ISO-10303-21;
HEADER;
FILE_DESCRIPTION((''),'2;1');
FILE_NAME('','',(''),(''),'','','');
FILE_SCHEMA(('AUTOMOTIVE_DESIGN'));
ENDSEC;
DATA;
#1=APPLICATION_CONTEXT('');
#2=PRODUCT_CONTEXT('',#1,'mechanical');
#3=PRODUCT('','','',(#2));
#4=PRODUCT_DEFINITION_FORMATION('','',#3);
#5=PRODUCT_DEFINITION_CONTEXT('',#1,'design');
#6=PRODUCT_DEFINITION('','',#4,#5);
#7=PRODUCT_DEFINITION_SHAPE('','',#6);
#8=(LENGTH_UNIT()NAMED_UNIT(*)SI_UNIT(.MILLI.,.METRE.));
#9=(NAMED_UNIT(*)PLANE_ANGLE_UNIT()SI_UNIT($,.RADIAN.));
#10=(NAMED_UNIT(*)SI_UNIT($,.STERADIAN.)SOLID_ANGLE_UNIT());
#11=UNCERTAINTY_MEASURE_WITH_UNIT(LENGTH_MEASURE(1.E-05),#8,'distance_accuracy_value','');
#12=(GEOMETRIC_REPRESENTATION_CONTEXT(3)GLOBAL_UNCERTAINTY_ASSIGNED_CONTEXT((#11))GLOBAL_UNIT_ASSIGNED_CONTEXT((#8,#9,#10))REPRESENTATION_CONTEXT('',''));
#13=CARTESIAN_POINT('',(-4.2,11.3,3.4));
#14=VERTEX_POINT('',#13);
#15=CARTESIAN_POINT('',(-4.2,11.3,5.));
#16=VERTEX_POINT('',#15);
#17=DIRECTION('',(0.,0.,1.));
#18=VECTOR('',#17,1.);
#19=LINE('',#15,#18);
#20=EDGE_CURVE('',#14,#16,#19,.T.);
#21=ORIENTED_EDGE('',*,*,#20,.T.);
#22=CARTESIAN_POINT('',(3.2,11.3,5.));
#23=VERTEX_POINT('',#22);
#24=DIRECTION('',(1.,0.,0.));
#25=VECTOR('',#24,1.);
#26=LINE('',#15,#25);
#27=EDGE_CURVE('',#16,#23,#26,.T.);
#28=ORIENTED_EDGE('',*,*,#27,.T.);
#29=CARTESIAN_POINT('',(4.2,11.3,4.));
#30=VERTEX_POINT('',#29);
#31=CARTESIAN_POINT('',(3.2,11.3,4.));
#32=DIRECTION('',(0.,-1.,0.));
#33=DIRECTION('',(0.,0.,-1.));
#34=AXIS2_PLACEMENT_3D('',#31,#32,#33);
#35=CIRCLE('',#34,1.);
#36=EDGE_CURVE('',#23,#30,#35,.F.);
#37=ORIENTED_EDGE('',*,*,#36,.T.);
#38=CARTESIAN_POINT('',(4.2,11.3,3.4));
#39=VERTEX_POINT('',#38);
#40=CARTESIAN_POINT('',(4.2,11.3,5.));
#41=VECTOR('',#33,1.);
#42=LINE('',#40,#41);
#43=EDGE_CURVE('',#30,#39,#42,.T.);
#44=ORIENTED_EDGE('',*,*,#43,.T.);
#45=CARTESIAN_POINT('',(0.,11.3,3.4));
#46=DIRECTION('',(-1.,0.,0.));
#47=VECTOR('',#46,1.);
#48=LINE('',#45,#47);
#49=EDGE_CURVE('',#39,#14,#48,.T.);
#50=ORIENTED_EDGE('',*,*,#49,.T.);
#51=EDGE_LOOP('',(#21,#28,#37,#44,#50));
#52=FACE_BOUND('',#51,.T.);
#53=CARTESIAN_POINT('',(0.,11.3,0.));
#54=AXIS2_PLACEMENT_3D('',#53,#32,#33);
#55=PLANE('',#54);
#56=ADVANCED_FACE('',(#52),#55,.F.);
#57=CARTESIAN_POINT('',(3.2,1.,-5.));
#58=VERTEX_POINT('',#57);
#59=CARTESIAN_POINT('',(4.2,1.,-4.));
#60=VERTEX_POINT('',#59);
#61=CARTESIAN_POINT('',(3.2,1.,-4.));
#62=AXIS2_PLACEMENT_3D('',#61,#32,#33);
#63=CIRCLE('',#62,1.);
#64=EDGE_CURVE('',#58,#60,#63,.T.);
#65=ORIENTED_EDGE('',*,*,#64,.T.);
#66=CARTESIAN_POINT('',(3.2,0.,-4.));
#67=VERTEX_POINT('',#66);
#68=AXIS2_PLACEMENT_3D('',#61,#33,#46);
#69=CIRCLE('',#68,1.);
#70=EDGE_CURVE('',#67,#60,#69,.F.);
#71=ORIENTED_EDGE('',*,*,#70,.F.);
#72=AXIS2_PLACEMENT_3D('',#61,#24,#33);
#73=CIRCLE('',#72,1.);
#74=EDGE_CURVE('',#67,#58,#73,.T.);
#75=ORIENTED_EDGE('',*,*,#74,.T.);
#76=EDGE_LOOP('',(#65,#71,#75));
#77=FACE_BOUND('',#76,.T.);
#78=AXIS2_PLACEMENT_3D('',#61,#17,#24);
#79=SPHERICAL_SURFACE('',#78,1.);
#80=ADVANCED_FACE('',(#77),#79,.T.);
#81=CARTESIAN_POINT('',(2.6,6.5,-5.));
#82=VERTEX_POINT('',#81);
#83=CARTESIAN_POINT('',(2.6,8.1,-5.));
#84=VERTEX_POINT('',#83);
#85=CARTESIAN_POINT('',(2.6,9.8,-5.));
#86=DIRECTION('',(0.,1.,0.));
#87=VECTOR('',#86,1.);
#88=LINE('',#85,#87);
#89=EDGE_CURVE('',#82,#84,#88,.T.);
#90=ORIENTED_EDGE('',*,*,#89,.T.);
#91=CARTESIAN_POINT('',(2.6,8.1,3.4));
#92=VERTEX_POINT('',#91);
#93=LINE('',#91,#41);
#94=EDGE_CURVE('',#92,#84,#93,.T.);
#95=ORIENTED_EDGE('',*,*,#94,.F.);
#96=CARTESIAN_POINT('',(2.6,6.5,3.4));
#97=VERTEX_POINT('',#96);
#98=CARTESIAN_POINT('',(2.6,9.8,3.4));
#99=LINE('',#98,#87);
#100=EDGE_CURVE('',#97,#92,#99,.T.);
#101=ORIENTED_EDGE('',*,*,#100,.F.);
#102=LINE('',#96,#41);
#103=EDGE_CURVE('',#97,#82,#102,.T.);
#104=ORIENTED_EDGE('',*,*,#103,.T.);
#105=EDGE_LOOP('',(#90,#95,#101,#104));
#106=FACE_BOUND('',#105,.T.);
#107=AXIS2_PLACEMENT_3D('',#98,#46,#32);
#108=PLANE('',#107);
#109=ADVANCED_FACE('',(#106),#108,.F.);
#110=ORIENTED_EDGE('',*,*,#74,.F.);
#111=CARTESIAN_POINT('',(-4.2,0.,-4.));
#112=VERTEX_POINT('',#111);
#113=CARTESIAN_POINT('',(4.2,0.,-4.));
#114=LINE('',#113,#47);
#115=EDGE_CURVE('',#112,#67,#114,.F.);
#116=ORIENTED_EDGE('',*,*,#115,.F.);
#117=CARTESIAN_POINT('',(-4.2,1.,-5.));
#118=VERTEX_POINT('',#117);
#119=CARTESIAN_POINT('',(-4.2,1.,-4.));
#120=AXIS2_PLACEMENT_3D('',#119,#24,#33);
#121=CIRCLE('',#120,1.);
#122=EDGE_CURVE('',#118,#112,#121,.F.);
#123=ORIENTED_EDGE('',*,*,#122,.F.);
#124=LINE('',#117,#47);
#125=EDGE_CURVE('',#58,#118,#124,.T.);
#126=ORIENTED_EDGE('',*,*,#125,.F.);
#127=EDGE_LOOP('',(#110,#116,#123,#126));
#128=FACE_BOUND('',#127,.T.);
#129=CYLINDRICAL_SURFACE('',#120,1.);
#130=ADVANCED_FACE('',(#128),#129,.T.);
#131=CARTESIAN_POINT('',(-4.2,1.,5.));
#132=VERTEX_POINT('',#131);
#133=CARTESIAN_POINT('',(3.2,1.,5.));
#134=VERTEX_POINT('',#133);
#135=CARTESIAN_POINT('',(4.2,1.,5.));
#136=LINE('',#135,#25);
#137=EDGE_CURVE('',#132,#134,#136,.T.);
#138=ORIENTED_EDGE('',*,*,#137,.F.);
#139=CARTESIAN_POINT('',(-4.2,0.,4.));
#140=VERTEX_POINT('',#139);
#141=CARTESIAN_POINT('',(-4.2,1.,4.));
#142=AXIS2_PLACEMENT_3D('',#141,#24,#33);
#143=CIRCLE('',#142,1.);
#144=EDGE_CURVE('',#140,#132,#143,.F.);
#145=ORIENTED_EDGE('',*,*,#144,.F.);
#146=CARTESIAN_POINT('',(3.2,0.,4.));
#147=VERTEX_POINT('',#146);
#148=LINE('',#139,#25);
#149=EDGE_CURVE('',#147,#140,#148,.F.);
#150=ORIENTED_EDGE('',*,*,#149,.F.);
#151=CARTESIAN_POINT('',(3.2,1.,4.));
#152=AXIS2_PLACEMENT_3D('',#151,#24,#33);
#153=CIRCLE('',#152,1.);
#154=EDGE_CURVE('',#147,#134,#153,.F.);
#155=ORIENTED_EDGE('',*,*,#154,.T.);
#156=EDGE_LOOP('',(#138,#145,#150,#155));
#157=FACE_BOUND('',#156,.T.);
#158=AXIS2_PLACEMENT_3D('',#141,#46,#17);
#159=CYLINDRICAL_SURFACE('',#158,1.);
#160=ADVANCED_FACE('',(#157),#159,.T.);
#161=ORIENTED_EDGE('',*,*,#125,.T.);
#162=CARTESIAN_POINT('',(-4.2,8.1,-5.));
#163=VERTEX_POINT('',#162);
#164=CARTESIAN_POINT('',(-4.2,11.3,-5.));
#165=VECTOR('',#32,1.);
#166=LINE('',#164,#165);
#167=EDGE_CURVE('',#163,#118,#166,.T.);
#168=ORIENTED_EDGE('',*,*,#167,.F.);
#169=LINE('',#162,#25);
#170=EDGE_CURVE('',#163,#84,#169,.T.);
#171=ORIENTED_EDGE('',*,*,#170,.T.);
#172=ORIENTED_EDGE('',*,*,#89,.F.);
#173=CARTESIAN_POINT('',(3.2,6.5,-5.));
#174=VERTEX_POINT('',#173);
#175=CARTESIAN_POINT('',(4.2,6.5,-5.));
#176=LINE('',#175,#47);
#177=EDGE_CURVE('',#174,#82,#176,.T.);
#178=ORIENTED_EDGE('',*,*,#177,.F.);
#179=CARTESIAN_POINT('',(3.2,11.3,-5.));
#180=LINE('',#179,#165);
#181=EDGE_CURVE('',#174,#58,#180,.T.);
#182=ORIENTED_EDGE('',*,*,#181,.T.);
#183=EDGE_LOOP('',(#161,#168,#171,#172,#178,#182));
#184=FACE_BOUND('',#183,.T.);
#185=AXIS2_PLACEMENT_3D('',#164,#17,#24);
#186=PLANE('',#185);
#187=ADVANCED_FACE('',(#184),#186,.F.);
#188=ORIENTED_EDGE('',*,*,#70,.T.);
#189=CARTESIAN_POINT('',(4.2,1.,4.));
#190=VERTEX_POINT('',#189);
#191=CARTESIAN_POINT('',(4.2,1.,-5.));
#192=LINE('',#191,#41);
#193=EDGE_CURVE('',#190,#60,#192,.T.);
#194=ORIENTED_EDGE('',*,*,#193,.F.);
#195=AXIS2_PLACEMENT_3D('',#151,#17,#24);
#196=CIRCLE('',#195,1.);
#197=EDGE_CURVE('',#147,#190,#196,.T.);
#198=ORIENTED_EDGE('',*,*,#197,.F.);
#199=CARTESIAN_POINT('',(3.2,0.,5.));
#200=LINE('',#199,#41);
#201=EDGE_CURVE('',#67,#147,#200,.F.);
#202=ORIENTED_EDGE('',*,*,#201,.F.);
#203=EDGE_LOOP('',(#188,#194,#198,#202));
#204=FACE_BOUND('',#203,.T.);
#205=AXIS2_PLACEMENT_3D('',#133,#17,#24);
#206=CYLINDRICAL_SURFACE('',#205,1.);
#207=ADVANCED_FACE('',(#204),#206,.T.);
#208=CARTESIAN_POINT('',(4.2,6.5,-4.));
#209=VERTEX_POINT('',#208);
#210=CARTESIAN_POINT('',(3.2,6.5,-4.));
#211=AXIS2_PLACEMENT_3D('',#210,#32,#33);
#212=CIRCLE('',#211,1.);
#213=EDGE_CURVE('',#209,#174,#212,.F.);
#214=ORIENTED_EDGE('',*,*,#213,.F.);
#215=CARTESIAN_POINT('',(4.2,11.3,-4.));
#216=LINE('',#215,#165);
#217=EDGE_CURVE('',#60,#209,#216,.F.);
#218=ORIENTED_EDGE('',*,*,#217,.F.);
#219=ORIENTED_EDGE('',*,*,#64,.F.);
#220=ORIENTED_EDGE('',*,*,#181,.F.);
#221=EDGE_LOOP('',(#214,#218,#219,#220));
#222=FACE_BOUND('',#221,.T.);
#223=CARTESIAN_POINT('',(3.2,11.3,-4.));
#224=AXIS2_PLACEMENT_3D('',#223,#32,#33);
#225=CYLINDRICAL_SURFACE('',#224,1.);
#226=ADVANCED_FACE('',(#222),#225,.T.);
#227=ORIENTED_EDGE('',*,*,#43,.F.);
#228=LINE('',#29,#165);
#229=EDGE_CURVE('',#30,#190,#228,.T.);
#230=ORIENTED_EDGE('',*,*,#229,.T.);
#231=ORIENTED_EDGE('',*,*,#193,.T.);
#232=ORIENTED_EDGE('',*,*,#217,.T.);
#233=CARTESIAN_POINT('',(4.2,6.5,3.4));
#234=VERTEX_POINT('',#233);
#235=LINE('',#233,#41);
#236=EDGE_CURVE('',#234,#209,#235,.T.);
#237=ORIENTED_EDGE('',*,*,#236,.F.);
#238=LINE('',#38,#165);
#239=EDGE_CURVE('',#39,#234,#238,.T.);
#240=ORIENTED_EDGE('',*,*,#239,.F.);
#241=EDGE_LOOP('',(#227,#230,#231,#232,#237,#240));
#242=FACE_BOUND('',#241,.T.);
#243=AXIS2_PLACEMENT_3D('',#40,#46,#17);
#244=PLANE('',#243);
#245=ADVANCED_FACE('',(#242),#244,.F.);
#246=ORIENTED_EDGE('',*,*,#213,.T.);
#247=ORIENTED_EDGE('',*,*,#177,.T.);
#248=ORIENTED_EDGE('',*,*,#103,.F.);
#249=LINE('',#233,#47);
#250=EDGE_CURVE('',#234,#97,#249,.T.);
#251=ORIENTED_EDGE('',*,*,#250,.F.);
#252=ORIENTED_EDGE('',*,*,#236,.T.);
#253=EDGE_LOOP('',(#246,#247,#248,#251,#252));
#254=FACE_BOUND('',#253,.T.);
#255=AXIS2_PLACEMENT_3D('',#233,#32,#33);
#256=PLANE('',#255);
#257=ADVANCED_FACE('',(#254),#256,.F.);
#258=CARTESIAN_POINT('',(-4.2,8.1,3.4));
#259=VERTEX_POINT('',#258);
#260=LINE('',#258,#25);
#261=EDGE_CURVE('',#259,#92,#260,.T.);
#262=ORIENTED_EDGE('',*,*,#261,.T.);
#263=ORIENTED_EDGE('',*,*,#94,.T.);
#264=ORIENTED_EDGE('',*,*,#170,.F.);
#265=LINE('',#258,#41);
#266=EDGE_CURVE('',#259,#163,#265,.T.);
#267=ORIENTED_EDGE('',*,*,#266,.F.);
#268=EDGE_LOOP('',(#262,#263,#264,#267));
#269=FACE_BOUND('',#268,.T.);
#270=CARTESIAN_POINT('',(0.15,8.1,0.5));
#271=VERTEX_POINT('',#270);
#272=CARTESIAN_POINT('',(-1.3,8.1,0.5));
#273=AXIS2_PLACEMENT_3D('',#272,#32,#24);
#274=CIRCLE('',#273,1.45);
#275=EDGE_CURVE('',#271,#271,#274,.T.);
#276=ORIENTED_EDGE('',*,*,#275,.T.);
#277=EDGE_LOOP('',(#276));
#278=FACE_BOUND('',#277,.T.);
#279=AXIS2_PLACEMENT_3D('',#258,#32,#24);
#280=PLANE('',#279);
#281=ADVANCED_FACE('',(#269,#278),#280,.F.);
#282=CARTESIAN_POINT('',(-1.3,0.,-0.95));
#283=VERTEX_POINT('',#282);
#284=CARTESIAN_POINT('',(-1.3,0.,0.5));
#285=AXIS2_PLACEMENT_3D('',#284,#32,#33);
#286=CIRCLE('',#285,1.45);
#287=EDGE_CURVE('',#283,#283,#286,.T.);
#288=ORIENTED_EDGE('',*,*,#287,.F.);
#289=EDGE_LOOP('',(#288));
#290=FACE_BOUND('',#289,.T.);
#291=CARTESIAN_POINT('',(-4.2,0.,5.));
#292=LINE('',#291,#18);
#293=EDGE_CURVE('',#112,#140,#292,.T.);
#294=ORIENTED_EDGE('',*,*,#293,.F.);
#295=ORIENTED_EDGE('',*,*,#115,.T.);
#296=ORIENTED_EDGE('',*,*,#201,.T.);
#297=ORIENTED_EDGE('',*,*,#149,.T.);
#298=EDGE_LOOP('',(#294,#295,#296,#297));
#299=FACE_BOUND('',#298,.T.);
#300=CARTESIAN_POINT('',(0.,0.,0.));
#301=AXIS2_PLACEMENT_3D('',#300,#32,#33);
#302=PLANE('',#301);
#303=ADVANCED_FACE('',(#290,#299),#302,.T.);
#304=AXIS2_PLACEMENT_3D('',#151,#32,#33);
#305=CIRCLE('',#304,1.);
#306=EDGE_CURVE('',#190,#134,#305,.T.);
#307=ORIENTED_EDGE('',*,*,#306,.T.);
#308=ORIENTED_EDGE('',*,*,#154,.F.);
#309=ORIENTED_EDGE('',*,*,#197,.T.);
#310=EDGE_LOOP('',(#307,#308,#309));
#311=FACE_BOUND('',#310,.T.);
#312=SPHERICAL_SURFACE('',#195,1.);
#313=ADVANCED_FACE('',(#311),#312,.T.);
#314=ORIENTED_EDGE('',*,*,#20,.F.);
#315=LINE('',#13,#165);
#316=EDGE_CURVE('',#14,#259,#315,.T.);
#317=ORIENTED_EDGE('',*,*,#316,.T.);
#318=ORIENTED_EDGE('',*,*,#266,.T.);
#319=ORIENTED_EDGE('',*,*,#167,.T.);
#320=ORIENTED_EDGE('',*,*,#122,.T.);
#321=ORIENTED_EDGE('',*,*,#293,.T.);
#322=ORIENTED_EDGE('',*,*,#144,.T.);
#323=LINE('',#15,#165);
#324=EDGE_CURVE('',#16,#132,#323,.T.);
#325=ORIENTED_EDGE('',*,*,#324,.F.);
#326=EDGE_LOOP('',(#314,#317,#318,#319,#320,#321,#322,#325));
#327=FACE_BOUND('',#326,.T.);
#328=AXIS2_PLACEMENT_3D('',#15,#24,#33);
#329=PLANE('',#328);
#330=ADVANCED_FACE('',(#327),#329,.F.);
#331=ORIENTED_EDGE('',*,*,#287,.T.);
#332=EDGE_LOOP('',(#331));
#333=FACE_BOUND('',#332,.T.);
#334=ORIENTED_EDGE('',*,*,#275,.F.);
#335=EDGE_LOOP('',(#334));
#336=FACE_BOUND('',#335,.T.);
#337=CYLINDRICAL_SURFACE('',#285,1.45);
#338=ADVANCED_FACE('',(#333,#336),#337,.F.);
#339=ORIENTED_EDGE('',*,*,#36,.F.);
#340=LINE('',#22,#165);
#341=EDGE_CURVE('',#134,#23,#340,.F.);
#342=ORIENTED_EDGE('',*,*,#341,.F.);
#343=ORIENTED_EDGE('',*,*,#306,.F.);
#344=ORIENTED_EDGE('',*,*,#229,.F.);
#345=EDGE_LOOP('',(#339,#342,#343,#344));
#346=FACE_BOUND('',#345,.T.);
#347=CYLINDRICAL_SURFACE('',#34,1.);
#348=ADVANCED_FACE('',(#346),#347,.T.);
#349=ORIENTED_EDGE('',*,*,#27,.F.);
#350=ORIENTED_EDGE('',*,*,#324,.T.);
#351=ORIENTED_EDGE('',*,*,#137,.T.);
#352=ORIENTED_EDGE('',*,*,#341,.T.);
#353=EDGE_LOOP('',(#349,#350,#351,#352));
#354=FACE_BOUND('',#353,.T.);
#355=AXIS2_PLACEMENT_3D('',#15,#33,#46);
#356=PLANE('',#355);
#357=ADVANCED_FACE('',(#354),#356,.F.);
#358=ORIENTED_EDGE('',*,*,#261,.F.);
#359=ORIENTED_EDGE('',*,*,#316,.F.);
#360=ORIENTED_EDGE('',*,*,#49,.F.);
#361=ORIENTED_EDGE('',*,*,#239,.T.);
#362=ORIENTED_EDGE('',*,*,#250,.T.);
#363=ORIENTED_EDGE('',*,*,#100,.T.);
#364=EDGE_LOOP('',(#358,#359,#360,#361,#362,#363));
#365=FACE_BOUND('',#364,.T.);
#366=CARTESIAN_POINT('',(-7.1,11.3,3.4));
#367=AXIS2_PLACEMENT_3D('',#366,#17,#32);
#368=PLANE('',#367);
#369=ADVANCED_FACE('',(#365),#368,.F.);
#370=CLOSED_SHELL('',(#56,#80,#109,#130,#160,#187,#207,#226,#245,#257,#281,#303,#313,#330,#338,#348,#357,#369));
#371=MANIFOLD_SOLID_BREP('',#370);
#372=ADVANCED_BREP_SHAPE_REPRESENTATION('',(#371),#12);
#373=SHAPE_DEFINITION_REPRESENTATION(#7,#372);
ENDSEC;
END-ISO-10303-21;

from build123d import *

# Parameters (mm, degrees)
SKETCH2_W               = 8.4
SKETCH2_H               = 10
BOSS_EXTRUDE1_DEPTH     = 11.3
SKETCH5_W               = 8.4
SKETCH5_H               = 1.5
CUT_EXTRUDE2_DEPTH      = 11.3
SKETCH7_W               = 1.6
SKETCH7_H               = 3.3
CUT_EXTRUDE4_DEPTH      = 8.4
SKETCH9_W               = 8.4
SKETCH9_H               = 1.7
CUT_EXTRUDE5_DEPTH      = 6.8
SKETCH12_W              = 6.8
SKETCH12_H              = 1.6
BOSS_EXTRUDE3_DEPTH     = 1.6
FILLET1_R               = 1
M3_5X0_6_TAPPED_HOLE1_D = 2.9
SKETCH20_W              = 1.6
SKETCH20_H              = 1.6
CUT_EXTRUDE6_DEPTH      = 6.8


with BuildPart() as part:
    # Sketch2 → Boss-Extrude1 (new body)
    with BuildSketch(Plane(origin=(0, 0, 0), x_dir=(1, 0, 0), z_dir=(0, 1, 0))):
        Rectangle(SKETCH2_W, SKETCH2_H)
    extrude(amount=BOSS_EXTRUDE1_DEPTH)

    # Sketch5 → Cut-Extrude2 (cut)
    with BuildSketch(Plane(origin=(4.2, 0, 0), x_dir=(0, 0, -1), z_dir=(1, 0, 0))):
        with Locations((0.8, 10.55)):
            Rectangle(SKETCH5_W, SKETCH5_H)
    extrude(amount=-CUT_EXTRUDE2_DEPTH, mode=Mode.SUBTRACT)

    # Sketch7 → Cut-Extrude4 (cut)
    with BuildSketch(Plane(origin=(0, 0, -5), x_dir=(-1, 0, 0), z_dir=(0, 0, -1))):
        with Locations((-3.4, 8.15)):
            Rectangle(SKETCH7_W, SKETCH7_H)
    extrude(amount=-CUT_EXTRUDE4_DEPTH, mode=Mode.SUBTRACT)

    # Sketch9 → Cut-Extrude5 (cut)
    with BuildSketch(Plane(origin=(2.6, 0, 0), x_dir=(0, 0, -1), z_dir=(1, 0, 0))):
        with Locations((0.8, 8.95)):
            Rectangle(SKETCH9_W, SKETCH9_H)
    extrude(amount=-CUT_EXTRUDE5_DEPTH, mode=Mode.SUBTRACT)

    # Sketch12 → Boss-Extrude3 (add)
    with BuildSketch(Plane(origin=(0, 0, 3.4), x_dir=(-1, 0, 0), z_dir=(0, 0, -1))):
        with Locations((0.8, 8.9)):
            Rectangle(SKETCH12_W, SKETCH12_H)
    extrude(amount=BOSS_EXTRUDE3_DEPTH)

    # Fillet1
    fillet1_edges = [part.edges().sort_by_distance(p)[0] for p in [
        (4.2, 3.25, -5),
        (0, 0, 5),
        (0, 0, -5),
        (4.2, 0, 0),
        (4.2, 5.65, 5),
    ]]
    fillet(fillet1_edges, radius=FILLET1_R)

    # M3.5x0.6 Tapped Hole1 (through all)
    with Locations(Plane(origin=(0, 0, 0), x_dir=(-1, 0, 0), z_dir=(0, -1, 0))):
        with Locations((1.3, -0.5)):
            Hole(M3_5X0_6_TAPPED_HOLE1_D / 2)

    # Sketch20 → Cut-Extrude6 (cut)
    with BuildSketch(Plane(origin=(2.6, 0, 0), x_dir=(0, 0, -1), z_dir=(1, 0, 0))):
        with Locations((-2.6, 8.9)):
            Rectangle(SKETCH20_W, SKETCH20_H)
    extrude(amount=-CUT_EXTRUDE6_DEPTH, mode=Mode.SUBTRACT)


solid = part.part
